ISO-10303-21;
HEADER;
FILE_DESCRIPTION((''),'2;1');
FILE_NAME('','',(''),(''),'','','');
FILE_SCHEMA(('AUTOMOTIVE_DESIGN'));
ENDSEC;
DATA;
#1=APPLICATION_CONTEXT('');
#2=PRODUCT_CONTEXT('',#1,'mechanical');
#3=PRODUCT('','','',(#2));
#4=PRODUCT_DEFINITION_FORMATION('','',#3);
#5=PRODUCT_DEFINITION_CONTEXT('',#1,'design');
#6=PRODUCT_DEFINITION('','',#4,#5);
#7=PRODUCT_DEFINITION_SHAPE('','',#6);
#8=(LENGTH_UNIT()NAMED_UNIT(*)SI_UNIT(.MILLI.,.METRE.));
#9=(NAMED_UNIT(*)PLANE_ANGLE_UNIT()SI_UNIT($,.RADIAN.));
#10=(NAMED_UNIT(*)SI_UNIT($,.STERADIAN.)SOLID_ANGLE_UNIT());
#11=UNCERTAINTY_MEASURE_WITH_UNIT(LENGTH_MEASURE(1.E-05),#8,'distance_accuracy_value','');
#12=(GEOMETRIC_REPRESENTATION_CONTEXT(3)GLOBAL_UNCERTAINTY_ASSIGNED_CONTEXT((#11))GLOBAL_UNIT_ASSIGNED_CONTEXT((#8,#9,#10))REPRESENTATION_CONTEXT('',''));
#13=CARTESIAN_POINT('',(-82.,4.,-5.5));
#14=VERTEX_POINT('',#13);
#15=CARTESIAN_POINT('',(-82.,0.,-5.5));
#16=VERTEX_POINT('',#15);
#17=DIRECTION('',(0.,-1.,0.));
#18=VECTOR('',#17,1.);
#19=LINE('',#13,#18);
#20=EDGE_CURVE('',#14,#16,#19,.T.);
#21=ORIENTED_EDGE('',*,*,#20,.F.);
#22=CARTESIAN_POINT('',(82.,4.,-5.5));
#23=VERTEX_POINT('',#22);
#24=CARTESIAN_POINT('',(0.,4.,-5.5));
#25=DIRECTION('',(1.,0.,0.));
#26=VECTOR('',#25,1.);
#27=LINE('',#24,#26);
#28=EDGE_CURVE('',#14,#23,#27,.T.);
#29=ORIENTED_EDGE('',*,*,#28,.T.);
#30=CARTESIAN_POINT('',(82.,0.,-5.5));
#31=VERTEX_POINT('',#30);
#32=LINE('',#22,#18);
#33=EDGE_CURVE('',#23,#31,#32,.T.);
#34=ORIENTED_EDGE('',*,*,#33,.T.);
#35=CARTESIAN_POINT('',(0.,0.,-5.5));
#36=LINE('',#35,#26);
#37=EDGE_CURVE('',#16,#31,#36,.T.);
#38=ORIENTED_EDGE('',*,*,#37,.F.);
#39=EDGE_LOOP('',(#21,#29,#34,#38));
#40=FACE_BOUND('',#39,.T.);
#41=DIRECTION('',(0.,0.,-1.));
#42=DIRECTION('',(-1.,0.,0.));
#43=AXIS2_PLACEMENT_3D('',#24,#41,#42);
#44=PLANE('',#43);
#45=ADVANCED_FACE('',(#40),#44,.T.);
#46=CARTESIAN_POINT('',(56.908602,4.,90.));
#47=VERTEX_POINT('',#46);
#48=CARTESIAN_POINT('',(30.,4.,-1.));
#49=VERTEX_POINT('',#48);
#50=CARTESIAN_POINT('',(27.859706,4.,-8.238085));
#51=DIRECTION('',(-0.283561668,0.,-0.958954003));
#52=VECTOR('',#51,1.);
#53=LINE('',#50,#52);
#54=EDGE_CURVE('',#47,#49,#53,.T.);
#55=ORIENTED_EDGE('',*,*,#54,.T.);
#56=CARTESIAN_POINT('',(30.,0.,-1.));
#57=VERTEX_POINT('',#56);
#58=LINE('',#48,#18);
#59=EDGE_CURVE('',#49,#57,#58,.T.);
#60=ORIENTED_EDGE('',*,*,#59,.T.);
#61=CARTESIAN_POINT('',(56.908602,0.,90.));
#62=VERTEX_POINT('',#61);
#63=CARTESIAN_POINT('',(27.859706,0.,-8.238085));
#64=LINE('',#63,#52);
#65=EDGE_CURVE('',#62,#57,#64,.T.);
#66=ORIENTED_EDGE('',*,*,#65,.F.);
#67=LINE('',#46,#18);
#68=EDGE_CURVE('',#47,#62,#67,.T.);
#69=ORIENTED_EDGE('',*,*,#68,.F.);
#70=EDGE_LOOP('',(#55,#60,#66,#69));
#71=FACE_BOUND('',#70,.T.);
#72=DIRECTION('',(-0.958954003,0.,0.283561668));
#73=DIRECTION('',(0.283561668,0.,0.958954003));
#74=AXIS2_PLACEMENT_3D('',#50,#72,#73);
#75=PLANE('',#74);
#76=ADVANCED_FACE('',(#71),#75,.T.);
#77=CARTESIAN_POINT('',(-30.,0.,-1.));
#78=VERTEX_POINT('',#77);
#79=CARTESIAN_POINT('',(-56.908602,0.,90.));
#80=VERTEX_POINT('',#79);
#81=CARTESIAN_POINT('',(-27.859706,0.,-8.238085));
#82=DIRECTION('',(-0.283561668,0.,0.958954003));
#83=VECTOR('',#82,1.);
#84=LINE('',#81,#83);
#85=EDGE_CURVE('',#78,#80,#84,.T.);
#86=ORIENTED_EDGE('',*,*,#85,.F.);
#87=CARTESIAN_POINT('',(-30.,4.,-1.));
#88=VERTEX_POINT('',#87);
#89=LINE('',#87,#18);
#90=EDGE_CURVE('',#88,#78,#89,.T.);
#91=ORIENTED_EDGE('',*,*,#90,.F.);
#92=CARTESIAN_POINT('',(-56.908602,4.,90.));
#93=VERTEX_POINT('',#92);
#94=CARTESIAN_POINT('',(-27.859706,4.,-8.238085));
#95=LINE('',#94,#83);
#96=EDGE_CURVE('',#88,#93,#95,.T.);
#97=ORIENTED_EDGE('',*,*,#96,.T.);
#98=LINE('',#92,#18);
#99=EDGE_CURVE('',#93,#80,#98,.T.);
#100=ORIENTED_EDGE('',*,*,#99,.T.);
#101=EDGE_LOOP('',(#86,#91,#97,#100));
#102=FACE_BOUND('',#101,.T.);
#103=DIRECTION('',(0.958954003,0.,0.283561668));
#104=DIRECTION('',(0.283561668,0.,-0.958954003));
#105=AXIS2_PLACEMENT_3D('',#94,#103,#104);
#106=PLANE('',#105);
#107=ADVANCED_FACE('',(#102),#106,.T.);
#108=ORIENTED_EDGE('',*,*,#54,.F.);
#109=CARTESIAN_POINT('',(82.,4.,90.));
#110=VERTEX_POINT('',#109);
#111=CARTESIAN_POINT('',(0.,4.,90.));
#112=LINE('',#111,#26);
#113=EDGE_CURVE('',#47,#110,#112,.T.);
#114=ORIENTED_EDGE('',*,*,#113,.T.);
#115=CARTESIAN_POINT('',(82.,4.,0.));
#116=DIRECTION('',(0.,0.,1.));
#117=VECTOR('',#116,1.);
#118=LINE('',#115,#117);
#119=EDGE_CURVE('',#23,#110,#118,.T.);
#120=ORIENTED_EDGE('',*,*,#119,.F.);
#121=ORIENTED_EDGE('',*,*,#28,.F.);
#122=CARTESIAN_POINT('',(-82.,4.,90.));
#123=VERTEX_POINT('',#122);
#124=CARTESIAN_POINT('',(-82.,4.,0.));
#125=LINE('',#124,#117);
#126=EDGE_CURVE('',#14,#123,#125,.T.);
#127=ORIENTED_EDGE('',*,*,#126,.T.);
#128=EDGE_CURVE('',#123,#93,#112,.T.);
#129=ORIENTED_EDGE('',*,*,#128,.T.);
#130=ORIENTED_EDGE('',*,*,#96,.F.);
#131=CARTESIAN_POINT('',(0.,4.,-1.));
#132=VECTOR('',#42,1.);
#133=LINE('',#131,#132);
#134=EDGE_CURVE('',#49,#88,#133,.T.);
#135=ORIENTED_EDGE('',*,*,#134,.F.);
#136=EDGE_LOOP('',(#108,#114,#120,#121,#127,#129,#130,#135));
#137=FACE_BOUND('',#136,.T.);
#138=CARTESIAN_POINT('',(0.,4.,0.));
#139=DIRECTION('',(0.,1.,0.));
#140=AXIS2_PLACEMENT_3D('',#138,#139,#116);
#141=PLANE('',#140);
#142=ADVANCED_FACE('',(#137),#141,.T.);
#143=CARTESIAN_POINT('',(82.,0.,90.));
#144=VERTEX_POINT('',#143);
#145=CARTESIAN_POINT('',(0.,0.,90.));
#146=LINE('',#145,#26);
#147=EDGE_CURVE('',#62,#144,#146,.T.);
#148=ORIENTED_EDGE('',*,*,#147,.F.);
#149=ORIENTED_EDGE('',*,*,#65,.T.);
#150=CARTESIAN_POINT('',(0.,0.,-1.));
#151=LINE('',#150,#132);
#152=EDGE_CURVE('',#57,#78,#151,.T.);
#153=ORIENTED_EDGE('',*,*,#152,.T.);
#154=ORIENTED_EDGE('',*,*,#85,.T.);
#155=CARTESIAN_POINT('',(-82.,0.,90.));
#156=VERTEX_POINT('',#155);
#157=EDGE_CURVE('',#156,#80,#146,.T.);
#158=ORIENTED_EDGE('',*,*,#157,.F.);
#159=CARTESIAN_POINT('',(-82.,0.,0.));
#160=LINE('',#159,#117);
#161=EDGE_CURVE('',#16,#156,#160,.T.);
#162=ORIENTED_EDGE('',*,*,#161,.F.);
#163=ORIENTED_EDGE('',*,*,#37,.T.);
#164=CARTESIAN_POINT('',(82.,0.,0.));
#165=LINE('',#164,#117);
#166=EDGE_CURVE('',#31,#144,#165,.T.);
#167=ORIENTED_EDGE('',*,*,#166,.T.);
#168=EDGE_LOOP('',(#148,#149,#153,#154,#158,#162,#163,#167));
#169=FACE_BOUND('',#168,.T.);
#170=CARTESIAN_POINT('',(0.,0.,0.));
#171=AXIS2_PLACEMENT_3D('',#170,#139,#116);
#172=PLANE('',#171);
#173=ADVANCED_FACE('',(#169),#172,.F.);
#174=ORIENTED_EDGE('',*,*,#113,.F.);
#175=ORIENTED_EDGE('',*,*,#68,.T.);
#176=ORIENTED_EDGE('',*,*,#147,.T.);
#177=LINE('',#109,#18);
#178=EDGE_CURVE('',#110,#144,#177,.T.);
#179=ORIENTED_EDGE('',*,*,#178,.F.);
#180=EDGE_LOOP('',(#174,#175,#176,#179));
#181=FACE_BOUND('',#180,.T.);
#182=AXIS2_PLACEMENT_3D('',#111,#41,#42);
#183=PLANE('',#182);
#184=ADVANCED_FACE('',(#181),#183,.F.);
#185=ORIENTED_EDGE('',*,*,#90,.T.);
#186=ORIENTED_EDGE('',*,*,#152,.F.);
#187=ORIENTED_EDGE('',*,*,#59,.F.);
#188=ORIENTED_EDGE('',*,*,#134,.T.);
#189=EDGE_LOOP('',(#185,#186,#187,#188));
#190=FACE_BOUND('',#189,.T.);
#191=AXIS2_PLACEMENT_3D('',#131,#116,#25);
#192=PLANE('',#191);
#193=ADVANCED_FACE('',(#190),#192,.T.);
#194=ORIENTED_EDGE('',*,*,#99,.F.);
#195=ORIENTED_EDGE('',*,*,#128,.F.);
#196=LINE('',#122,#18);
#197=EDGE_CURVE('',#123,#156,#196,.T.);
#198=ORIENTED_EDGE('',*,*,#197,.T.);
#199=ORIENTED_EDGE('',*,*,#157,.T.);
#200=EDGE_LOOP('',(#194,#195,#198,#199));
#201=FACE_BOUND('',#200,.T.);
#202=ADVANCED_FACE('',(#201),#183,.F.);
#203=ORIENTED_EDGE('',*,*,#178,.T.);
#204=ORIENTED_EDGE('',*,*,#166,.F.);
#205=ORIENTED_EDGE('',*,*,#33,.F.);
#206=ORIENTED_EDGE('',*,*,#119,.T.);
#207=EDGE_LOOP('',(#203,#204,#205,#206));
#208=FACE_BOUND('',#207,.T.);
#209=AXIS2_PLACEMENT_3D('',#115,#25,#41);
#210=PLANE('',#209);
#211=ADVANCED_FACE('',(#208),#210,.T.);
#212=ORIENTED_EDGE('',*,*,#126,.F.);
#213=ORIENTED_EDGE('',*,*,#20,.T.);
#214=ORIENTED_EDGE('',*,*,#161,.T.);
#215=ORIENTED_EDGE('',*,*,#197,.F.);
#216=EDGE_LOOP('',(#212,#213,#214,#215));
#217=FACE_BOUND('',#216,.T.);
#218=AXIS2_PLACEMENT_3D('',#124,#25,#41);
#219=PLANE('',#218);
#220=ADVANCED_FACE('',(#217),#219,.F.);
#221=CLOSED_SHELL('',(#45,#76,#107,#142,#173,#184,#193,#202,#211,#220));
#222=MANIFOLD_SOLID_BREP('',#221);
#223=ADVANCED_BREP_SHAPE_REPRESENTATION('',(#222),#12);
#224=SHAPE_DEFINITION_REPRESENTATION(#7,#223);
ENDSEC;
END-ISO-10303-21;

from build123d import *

# Parameters (mm, degrees)
BOSS_EXTRUDE1_DEPTH = 4


with BuildPart() as part:
    # Sketch1 → Boss-Extrude1 (new body)
    with BuildSketch(Plane(origin=(0, 0, 0), x_dir=(1, 0, 0), z_dir=(0, 1, 0))):
        Polygon((30, 1), (56.908602151, -90), (82, -90), (82, 5.5), (-82, 5.5), (-82, -90), (-56.908602151, -90), (-30, 1), align=None)
    extrude(amount=BOSS_EXTRUDE1_DEPTH)


solid = part.part
